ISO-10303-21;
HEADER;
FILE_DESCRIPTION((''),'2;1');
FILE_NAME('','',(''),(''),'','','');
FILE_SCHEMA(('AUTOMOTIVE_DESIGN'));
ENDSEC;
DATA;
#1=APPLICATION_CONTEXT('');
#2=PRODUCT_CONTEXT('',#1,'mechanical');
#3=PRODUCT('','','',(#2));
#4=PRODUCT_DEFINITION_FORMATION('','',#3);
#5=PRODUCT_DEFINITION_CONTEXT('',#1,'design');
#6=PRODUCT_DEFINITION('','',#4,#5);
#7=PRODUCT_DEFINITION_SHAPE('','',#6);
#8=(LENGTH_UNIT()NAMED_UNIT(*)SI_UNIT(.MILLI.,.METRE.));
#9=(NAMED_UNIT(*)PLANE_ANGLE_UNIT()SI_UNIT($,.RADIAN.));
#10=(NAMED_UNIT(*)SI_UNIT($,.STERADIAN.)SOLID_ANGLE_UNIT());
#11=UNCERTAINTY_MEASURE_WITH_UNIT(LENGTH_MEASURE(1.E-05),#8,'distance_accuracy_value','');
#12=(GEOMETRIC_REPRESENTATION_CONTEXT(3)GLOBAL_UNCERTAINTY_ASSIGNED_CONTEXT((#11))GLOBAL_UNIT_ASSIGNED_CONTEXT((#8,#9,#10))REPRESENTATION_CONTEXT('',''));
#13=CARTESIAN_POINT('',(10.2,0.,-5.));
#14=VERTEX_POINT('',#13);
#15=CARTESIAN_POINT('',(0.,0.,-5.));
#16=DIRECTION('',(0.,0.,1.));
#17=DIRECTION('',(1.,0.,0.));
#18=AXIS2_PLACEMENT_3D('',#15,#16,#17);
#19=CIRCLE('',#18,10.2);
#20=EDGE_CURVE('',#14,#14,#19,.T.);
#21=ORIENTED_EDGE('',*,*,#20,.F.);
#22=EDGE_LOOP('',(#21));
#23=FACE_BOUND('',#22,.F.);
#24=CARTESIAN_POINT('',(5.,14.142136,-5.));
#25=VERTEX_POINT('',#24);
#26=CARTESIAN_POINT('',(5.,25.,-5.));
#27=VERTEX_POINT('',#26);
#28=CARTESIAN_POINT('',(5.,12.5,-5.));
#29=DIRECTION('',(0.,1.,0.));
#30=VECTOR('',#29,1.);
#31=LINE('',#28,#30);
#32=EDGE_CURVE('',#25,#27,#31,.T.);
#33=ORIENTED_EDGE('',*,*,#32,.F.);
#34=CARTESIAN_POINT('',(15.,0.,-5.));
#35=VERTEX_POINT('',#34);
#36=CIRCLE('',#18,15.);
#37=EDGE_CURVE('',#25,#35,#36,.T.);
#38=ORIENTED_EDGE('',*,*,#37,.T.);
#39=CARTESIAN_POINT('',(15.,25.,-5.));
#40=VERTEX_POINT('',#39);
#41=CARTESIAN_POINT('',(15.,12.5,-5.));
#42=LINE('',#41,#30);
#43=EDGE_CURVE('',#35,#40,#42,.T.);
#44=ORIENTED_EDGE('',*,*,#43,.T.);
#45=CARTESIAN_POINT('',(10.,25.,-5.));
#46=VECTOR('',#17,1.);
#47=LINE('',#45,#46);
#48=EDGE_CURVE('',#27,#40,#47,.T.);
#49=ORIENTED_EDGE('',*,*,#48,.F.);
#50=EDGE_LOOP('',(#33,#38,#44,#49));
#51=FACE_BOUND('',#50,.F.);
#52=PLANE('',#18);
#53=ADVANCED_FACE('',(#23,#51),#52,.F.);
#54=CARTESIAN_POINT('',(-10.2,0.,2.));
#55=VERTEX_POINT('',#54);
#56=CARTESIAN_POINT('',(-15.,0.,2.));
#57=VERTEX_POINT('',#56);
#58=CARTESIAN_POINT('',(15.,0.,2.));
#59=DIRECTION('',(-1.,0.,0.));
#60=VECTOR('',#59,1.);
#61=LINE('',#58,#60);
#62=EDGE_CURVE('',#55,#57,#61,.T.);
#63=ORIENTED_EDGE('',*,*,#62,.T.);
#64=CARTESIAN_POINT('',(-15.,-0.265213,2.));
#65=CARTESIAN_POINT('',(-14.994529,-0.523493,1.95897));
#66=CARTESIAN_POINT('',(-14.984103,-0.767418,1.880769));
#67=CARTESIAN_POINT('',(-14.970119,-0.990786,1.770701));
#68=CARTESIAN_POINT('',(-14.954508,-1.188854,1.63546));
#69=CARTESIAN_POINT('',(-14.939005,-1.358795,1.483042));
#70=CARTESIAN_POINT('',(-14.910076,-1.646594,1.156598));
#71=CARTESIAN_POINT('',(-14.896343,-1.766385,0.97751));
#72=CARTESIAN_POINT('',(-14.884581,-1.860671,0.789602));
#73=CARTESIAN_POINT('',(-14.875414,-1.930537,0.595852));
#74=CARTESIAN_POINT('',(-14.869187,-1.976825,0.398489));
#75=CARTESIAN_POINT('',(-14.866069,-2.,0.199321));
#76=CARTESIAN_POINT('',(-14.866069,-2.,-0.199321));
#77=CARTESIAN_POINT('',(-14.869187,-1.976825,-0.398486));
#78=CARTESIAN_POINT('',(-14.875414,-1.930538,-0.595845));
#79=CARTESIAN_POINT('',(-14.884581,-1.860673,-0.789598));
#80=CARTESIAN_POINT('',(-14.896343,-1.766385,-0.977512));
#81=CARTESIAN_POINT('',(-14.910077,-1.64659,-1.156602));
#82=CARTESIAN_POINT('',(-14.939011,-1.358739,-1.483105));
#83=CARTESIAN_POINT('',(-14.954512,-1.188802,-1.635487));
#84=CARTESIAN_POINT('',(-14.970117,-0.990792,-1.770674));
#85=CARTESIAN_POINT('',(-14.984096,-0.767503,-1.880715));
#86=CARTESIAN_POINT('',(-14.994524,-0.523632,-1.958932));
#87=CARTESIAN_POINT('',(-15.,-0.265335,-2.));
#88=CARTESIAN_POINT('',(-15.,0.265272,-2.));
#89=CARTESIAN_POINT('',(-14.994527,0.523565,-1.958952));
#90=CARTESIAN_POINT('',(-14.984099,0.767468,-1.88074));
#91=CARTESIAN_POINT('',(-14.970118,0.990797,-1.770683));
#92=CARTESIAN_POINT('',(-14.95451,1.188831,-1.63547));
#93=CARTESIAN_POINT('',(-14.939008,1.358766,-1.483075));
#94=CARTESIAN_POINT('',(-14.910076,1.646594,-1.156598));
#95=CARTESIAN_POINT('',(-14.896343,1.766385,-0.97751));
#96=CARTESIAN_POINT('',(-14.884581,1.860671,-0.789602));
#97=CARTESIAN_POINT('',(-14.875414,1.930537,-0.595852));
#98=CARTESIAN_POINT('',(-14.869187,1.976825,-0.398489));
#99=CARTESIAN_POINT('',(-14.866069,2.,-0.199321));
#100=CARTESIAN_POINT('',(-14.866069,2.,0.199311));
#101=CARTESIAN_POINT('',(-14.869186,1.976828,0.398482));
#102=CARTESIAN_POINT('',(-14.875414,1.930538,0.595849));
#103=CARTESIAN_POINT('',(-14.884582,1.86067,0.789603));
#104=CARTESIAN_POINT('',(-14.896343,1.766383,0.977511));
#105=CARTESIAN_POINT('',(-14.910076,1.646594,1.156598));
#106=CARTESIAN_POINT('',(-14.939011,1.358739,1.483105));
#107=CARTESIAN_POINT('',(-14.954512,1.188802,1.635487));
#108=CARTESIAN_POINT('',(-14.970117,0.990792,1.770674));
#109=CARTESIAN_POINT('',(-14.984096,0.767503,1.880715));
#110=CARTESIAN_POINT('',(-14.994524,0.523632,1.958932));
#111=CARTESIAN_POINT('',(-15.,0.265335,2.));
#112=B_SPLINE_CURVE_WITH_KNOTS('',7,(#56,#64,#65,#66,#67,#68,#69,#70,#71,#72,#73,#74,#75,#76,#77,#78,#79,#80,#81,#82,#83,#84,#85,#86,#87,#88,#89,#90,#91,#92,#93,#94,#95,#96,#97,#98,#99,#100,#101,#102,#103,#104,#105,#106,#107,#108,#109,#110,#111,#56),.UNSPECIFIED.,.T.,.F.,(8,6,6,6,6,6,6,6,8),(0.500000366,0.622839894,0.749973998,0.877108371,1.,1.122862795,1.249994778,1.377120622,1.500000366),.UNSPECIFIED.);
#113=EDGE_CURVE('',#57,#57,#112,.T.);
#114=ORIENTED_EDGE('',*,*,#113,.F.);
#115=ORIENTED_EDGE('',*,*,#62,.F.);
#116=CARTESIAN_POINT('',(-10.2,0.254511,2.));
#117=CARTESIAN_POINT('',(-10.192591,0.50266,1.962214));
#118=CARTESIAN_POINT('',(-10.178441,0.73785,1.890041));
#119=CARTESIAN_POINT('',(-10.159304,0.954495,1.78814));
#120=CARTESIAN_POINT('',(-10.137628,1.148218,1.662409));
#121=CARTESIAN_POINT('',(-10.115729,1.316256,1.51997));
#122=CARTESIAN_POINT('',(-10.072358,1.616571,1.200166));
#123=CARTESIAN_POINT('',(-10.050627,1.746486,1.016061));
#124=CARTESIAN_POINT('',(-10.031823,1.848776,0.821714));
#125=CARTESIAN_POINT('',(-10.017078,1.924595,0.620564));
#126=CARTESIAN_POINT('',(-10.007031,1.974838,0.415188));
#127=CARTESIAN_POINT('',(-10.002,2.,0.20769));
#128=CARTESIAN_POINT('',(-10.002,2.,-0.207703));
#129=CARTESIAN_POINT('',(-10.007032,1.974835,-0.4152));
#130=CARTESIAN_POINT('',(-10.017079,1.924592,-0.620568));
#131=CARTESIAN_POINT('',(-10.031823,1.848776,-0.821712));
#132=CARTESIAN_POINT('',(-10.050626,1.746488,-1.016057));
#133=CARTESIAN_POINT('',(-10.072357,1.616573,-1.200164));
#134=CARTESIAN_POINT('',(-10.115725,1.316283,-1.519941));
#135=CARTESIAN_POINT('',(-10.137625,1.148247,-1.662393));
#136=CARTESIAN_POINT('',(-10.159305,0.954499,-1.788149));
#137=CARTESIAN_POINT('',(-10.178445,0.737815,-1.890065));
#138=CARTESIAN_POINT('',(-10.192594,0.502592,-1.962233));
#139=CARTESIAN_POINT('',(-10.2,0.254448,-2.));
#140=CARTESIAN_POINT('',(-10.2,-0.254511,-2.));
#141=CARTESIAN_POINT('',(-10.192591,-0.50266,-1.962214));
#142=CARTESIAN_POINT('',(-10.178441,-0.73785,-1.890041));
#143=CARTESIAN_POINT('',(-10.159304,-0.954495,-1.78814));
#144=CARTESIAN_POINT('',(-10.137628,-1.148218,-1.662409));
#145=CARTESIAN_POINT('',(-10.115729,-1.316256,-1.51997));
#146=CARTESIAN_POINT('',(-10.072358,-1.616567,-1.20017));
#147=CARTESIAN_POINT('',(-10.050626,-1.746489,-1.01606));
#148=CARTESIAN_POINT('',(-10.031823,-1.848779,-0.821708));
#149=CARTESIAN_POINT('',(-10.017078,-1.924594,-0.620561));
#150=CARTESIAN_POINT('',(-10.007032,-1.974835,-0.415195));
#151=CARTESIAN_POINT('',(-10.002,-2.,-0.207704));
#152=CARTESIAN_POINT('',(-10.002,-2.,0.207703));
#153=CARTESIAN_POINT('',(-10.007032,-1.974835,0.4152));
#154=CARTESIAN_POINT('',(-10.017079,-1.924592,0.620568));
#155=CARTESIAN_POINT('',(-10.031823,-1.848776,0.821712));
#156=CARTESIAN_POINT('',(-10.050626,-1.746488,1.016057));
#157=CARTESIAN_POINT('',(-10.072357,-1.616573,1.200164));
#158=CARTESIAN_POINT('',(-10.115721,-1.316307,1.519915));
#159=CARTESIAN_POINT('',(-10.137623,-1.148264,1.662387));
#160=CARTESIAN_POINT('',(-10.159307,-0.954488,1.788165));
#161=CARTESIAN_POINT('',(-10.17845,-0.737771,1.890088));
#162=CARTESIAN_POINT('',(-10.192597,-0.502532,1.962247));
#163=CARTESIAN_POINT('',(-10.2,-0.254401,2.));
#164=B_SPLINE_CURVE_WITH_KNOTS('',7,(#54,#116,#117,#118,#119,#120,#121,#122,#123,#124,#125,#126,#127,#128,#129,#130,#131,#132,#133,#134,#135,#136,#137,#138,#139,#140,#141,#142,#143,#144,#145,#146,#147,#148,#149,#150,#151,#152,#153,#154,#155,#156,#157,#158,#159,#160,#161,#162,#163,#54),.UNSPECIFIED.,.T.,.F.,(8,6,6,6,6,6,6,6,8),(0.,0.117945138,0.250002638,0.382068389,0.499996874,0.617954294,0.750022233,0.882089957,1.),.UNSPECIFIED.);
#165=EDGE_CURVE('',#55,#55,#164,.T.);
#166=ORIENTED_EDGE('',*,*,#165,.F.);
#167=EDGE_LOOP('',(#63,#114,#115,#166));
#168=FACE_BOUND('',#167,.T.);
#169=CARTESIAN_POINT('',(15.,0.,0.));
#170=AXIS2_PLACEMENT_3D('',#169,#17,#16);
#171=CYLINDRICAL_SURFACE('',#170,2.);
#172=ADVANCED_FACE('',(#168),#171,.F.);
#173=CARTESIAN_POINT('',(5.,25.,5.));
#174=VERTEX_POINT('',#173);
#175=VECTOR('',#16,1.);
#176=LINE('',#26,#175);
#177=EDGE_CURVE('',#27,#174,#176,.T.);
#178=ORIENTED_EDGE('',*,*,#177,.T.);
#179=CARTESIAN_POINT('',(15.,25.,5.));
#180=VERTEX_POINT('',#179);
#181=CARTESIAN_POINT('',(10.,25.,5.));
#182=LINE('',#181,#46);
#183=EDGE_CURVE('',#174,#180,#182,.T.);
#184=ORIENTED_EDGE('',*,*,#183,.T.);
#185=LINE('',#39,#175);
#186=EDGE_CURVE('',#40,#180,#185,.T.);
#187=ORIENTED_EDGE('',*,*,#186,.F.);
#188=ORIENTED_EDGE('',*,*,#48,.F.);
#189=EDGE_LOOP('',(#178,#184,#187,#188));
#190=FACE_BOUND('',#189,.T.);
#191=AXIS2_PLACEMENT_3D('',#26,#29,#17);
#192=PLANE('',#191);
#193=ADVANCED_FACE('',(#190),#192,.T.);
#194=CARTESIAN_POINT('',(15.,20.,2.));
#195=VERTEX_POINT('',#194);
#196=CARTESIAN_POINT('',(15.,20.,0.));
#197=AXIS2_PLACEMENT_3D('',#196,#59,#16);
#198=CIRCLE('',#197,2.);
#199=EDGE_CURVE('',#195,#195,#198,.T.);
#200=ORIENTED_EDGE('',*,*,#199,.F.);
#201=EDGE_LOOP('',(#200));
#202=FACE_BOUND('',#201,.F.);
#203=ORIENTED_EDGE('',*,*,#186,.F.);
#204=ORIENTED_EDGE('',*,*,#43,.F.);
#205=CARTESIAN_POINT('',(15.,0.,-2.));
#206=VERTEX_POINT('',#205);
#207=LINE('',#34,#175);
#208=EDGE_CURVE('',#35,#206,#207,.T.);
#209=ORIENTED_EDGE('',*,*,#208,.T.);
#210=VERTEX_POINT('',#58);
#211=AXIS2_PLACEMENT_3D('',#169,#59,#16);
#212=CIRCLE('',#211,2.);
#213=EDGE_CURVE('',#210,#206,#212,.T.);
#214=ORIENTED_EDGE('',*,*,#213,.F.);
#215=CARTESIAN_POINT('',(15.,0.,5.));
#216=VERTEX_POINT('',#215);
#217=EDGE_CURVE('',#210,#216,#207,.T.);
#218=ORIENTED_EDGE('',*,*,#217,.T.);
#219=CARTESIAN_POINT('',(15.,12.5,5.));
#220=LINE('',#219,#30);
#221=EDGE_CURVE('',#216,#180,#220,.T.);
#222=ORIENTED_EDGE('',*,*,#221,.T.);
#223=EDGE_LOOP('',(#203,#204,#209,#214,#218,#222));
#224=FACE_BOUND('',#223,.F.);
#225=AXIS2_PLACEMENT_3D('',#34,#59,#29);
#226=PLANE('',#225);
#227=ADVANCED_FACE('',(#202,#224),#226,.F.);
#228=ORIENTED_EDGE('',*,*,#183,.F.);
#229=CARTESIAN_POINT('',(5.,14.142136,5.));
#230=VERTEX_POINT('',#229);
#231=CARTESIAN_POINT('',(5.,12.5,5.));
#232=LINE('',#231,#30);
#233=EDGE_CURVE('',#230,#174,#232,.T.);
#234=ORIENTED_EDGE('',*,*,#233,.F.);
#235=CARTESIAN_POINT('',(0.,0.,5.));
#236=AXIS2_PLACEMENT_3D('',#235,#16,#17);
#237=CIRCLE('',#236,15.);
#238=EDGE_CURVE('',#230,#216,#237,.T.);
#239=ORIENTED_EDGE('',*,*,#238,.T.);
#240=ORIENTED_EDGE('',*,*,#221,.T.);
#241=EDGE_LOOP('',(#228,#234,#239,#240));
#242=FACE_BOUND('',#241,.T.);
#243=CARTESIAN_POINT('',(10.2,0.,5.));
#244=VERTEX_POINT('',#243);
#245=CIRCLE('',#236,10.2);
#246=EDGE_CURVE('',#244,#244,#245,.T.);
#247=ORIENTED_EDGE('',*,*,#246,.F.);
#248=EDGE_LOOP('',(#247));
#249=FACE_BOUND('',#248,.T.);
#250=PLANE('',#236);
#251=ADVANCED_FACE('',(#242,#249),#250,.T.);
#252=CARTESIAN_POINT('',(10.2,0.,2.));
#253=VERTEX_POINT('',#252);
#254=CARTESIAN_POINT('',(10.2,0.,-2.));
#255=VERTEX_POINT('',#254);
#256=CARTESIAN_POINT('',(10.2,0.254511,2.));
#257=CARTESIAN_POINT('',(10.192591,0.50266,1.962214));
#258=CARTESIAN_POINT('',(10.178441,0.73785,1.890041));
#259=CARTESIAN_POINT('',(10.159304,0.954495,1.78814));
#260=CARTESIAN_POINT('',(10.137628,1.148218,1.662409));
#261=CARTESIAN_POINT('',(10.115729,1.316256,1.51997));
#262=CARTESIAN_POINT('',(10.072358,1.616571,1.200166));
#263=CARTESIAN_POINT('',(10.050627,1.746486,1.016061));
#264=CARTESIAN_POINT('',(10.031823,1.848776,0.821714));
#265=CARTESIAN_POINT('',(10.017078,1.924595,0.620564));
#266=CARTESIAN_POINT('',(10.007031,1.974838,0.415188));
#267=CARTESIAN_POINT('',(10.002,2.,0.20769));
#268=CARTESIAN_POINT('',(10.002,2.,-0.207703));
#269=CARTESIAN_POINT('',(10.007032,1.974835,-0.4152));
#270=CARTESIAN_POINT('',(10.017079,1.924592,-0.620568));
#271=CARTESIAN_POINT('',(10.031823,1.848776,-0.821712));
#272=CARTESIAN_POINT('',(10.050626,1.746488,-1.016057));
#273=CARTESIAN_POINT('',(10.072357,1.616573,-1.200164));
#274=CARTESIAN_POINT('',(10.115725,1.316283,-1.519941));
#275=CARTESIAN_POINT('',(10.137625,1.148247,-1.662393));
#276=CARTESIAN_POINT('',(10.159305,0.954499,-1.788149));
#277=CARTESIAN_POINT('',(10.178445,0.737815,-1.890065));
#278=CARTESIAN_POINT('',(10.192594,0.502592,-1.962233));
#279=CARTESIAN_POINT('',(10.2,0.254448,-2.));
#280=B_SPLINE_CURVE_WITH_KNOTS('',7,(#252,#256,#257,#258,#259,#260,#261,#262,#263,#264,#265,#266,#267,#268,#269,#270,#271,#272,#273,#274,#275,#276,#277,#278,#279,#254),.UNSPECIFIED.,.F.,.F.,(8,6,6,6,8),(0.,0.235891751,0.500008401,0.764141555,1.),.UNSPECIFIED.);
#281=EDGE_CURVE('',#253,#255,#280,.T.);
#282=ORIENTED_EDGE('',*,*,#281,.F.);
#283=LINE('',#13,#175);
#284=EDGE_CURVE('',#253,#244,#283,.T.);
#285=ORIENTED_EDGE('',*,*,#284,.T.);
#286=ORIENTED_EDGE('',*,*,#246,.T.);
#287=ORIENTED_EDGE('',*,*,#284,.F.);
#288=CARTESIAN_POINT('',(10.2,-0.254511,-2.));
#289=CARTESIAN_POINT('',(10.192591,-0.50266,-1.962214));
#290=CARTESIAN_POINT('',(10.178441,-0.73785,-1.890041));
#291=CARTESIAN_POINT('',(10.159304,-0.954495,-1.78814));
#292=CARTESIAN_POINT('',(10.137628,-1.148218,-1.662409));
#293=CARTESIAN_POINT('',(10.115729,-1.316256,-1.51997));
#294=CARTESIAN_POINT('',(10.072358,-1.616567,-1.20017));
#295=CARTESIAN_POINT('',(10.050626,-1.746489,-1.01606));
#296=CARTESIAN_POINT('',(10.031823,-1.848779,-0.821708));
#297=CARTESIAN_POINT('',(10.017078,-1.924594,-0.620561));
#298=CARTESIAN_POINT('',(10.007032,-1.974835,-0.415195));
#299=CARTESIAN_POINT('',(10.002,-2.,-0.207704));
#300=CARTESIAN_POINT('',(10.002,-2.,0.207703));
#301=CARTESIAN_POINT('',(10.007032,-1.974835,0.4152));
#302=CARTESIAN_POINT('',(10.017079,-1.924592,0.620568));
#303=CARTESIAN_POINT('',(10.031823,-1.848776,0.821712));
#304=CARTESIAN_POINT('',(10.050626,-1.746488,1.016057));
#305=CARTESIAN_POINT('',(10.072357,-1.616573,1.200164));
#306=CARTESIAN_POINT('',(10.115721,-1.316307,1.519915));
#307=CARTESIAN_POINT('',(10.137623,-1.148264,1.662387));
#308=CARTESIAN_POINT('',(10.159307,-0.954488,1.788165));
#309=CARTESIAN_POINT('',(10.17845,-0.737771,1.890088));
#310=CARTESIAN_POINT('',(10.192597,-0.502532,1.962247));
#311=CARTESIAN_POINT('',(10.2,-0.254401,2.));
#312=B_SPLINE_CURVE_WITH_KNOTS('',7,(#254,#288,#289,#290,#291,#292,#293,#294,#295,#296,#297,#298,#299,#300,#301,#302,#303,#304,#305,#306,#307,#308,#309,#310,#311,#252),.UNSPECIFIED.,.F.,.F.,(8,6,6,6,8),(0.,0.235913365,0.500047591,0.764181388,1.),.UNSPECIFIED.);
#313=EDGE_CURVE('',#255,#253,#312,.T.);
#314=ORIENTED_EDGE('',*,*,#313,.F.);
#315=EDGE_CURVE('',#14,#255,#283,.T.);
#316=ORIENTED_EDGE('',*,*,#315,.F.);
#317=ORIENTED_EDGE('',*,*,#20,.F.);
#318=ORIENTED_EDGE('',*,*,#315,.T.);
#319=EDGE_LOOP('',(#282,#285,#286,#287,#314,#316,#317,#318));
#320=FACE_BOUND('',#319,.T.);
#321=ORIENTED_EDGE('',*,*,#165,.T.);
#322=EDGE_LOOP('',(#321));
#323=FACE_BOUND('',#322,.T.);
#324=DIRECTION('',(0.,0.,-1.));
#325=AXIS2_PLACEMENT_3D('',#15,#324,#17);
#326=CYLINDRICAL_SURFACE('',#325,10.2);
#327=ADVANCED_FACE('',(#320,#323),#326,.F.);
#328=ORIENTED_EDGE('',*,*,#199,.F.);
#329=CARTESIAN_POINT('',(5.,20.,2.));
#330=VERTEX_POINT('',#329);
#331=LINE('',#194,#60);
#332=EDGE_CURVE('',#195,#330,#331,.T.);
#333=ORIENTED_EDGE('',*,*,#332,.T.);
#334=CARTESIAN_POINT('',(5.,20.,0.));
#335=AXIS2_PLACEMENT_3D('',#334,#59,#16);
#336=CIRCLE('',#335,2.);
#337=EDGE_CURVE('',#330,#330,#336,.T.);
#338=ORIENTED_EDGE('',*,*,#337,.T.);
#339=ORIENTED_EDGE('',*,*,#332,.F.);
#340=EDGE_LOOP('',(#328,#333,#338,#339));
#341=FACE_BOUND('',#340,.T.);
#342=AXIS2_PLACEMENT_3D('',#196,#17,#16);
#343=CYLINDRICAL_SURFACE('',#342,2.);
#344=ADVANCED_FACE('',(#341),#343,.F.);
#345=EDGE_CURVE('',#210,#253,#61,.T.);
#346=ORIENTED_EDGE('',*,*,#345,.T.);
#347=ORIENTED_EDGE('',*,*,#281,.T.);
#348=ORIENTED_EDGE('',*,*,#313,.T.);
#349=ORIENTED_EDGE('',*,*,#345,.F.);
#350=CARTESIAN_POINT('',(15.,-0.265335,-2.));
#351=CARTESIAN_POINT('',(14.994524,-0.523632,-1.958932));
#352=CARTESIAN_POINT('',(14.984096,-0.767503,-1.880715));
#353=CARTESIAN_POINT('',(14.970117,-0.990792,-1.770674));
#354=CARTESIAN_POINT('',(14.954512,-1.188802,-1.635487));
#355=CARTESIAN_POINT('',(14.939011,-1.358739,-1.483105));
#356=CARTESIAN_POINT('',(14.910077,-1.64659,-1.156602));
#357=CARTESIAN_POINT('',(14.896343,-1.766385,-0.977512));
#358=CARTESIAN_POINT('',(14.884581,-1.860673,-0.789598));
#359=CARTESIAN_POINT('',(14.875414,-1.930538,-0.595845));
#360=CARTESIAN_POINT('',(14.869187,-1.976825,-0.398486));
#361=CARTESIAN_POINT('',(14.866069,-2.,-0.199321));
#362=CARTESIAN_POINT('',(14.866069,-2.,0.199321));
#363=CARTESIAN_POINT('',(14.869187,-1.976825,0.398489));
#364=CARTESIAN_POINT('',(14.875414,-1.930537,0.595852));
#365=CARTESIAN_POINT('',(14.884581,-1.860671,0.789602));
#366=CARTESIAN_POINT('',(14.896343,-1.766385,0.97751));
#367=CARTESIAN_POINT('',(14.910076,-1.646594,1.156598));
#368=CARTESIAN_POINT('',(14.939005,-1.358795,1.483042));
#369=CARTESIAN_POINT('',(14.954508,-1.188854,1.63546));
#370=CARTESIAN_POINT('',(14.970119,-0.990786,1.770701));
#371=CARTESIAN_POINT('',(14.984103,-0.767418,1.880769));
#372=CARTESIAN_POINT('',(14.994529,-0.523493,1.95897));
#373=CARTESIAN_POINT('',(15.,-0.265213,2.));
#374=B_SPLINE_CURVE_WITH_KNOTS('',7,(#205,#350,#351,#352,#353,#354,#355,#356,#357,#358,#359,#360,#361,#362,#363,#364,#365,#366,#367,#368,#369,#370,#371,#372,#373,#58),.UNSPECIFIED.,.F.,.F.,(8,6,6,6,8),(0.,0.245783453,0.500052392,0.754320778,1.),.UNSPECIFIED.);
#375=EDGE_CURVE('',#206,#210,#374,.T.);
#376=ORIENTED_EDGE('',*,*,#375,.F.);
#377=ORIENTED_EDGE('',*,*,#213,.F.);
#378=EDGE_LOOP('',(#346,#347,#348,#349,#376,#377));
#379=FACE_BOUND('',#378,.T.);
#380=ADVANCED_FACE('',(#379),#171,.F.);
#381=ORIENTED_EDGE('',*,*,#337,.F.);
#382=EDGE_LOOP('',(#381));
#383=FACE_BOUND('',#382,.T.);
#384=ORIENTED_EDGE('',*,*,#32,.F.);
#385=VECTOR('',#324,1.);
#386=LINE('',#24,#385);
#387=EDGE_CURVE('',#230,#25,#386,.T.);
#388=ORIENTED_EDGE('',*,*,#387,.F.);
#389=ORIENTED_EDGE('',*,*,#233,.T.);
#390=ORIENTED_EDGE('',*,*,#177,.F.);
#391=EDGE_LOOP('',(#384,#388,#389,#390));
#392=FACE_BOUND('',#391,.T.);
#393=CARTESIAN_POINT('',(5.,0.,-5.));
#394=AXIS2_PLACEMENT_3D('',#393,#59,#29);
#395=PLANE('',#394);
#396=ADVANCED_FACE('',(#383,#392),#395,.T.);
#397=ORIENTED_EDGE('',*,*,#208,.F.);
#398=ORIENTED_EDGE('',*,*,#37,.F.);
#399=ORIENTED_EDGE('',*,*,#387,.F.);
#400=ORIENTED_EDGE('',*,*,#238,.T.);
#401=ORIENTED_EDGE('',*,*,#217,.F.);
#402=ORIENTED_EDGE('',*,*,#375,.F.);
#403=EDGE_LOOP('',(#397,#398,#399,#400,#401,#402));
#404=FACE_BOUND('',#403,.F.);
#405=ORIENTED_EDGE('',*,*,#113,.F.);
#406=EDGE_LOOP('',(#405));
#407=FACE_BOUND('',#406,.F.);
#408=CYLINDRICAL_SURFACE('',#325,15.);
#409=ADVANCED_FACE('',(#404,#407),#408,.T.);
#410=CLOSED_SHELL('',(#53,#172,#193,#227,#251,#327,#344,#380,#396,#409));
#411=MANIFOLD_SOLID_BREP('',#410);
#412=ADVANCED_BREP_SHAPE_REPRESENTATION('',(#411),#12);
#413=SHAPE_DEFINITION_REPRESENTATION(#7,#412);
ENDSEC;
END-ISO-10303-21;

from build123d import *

# Parameters (mm, degrees)
CYLINDER003_R     = 2
CYLINDER003_DEPTH = 10
CYLINDER004_R     = 2
CYLINDER004_DEPTH = 30
CYLINDER001_R     = 10.2
CYLINDER001_DEPTH = 10
BOX_W             = 10
BOX_H             = 25
BOX_DEPTH         = 10
CYLINDER_R        = 15
CYLINDER_DEPTH    = 10


with BuildPart() as cylinder003:
    # Cylinder003 → Cylinder003 (new body)
    with BuildSketch(Plane(origin=(15, 20, 0), x_dir=(0, 0, 1), z_dir=(-1, 0, 0))):
        Circle(CYLINDER003_R)
    extrude(amount=CYLINDER003_DEPTH)


with BuildPart() as cylinder004:
    # Cylinder004 → Cylinder004 (new body)
    with BuildSketch(Plane.ZY.offset(-15)):
        Circle(CYLINDER004_R)
    extrude(amount=CYLINDER004_DEPTH)


with BuildPart() as negative_fusion:
    # Cylinder001 → Cylinder001 (new body)
    with BuildSketch(Plane.XY.offset(-5)):
        Circle(CYLINDER001_R)
    extrude(amount=CYLINDER001_DEPTH)

    # Fusion: union Cylinder003, Cylinder004
    add(cylinder003.part)
    add(cylinder004.part)


with BuildPart() as cube:
    # Box → Box (new body)
    with BuildSketch(Plane(origin=(5, 0, -5), x_dir=(1, 0, 0), z_dir=(0, 0, 1))):
        with Locations((5, 12.5)):
            Rectangle(BOX_W, BOX_H)
    extrude(amount=BOX_DEPTH)


with BuildPart() as cut:
    # Cylinder → Cylinder (new body)
    with BuildSketch(Plane.XY.offset(-5)):
        Circle(CYLINDER_R)
    extrude(amount=CYLINDER_DEPTH)

    # Fusion001: union Cube
    add(cube.part)

    # Cut: cut Negative Fusion
    add(negative_fusion.part, mode=Mode.SUBTRACT)


solid = cut.part
